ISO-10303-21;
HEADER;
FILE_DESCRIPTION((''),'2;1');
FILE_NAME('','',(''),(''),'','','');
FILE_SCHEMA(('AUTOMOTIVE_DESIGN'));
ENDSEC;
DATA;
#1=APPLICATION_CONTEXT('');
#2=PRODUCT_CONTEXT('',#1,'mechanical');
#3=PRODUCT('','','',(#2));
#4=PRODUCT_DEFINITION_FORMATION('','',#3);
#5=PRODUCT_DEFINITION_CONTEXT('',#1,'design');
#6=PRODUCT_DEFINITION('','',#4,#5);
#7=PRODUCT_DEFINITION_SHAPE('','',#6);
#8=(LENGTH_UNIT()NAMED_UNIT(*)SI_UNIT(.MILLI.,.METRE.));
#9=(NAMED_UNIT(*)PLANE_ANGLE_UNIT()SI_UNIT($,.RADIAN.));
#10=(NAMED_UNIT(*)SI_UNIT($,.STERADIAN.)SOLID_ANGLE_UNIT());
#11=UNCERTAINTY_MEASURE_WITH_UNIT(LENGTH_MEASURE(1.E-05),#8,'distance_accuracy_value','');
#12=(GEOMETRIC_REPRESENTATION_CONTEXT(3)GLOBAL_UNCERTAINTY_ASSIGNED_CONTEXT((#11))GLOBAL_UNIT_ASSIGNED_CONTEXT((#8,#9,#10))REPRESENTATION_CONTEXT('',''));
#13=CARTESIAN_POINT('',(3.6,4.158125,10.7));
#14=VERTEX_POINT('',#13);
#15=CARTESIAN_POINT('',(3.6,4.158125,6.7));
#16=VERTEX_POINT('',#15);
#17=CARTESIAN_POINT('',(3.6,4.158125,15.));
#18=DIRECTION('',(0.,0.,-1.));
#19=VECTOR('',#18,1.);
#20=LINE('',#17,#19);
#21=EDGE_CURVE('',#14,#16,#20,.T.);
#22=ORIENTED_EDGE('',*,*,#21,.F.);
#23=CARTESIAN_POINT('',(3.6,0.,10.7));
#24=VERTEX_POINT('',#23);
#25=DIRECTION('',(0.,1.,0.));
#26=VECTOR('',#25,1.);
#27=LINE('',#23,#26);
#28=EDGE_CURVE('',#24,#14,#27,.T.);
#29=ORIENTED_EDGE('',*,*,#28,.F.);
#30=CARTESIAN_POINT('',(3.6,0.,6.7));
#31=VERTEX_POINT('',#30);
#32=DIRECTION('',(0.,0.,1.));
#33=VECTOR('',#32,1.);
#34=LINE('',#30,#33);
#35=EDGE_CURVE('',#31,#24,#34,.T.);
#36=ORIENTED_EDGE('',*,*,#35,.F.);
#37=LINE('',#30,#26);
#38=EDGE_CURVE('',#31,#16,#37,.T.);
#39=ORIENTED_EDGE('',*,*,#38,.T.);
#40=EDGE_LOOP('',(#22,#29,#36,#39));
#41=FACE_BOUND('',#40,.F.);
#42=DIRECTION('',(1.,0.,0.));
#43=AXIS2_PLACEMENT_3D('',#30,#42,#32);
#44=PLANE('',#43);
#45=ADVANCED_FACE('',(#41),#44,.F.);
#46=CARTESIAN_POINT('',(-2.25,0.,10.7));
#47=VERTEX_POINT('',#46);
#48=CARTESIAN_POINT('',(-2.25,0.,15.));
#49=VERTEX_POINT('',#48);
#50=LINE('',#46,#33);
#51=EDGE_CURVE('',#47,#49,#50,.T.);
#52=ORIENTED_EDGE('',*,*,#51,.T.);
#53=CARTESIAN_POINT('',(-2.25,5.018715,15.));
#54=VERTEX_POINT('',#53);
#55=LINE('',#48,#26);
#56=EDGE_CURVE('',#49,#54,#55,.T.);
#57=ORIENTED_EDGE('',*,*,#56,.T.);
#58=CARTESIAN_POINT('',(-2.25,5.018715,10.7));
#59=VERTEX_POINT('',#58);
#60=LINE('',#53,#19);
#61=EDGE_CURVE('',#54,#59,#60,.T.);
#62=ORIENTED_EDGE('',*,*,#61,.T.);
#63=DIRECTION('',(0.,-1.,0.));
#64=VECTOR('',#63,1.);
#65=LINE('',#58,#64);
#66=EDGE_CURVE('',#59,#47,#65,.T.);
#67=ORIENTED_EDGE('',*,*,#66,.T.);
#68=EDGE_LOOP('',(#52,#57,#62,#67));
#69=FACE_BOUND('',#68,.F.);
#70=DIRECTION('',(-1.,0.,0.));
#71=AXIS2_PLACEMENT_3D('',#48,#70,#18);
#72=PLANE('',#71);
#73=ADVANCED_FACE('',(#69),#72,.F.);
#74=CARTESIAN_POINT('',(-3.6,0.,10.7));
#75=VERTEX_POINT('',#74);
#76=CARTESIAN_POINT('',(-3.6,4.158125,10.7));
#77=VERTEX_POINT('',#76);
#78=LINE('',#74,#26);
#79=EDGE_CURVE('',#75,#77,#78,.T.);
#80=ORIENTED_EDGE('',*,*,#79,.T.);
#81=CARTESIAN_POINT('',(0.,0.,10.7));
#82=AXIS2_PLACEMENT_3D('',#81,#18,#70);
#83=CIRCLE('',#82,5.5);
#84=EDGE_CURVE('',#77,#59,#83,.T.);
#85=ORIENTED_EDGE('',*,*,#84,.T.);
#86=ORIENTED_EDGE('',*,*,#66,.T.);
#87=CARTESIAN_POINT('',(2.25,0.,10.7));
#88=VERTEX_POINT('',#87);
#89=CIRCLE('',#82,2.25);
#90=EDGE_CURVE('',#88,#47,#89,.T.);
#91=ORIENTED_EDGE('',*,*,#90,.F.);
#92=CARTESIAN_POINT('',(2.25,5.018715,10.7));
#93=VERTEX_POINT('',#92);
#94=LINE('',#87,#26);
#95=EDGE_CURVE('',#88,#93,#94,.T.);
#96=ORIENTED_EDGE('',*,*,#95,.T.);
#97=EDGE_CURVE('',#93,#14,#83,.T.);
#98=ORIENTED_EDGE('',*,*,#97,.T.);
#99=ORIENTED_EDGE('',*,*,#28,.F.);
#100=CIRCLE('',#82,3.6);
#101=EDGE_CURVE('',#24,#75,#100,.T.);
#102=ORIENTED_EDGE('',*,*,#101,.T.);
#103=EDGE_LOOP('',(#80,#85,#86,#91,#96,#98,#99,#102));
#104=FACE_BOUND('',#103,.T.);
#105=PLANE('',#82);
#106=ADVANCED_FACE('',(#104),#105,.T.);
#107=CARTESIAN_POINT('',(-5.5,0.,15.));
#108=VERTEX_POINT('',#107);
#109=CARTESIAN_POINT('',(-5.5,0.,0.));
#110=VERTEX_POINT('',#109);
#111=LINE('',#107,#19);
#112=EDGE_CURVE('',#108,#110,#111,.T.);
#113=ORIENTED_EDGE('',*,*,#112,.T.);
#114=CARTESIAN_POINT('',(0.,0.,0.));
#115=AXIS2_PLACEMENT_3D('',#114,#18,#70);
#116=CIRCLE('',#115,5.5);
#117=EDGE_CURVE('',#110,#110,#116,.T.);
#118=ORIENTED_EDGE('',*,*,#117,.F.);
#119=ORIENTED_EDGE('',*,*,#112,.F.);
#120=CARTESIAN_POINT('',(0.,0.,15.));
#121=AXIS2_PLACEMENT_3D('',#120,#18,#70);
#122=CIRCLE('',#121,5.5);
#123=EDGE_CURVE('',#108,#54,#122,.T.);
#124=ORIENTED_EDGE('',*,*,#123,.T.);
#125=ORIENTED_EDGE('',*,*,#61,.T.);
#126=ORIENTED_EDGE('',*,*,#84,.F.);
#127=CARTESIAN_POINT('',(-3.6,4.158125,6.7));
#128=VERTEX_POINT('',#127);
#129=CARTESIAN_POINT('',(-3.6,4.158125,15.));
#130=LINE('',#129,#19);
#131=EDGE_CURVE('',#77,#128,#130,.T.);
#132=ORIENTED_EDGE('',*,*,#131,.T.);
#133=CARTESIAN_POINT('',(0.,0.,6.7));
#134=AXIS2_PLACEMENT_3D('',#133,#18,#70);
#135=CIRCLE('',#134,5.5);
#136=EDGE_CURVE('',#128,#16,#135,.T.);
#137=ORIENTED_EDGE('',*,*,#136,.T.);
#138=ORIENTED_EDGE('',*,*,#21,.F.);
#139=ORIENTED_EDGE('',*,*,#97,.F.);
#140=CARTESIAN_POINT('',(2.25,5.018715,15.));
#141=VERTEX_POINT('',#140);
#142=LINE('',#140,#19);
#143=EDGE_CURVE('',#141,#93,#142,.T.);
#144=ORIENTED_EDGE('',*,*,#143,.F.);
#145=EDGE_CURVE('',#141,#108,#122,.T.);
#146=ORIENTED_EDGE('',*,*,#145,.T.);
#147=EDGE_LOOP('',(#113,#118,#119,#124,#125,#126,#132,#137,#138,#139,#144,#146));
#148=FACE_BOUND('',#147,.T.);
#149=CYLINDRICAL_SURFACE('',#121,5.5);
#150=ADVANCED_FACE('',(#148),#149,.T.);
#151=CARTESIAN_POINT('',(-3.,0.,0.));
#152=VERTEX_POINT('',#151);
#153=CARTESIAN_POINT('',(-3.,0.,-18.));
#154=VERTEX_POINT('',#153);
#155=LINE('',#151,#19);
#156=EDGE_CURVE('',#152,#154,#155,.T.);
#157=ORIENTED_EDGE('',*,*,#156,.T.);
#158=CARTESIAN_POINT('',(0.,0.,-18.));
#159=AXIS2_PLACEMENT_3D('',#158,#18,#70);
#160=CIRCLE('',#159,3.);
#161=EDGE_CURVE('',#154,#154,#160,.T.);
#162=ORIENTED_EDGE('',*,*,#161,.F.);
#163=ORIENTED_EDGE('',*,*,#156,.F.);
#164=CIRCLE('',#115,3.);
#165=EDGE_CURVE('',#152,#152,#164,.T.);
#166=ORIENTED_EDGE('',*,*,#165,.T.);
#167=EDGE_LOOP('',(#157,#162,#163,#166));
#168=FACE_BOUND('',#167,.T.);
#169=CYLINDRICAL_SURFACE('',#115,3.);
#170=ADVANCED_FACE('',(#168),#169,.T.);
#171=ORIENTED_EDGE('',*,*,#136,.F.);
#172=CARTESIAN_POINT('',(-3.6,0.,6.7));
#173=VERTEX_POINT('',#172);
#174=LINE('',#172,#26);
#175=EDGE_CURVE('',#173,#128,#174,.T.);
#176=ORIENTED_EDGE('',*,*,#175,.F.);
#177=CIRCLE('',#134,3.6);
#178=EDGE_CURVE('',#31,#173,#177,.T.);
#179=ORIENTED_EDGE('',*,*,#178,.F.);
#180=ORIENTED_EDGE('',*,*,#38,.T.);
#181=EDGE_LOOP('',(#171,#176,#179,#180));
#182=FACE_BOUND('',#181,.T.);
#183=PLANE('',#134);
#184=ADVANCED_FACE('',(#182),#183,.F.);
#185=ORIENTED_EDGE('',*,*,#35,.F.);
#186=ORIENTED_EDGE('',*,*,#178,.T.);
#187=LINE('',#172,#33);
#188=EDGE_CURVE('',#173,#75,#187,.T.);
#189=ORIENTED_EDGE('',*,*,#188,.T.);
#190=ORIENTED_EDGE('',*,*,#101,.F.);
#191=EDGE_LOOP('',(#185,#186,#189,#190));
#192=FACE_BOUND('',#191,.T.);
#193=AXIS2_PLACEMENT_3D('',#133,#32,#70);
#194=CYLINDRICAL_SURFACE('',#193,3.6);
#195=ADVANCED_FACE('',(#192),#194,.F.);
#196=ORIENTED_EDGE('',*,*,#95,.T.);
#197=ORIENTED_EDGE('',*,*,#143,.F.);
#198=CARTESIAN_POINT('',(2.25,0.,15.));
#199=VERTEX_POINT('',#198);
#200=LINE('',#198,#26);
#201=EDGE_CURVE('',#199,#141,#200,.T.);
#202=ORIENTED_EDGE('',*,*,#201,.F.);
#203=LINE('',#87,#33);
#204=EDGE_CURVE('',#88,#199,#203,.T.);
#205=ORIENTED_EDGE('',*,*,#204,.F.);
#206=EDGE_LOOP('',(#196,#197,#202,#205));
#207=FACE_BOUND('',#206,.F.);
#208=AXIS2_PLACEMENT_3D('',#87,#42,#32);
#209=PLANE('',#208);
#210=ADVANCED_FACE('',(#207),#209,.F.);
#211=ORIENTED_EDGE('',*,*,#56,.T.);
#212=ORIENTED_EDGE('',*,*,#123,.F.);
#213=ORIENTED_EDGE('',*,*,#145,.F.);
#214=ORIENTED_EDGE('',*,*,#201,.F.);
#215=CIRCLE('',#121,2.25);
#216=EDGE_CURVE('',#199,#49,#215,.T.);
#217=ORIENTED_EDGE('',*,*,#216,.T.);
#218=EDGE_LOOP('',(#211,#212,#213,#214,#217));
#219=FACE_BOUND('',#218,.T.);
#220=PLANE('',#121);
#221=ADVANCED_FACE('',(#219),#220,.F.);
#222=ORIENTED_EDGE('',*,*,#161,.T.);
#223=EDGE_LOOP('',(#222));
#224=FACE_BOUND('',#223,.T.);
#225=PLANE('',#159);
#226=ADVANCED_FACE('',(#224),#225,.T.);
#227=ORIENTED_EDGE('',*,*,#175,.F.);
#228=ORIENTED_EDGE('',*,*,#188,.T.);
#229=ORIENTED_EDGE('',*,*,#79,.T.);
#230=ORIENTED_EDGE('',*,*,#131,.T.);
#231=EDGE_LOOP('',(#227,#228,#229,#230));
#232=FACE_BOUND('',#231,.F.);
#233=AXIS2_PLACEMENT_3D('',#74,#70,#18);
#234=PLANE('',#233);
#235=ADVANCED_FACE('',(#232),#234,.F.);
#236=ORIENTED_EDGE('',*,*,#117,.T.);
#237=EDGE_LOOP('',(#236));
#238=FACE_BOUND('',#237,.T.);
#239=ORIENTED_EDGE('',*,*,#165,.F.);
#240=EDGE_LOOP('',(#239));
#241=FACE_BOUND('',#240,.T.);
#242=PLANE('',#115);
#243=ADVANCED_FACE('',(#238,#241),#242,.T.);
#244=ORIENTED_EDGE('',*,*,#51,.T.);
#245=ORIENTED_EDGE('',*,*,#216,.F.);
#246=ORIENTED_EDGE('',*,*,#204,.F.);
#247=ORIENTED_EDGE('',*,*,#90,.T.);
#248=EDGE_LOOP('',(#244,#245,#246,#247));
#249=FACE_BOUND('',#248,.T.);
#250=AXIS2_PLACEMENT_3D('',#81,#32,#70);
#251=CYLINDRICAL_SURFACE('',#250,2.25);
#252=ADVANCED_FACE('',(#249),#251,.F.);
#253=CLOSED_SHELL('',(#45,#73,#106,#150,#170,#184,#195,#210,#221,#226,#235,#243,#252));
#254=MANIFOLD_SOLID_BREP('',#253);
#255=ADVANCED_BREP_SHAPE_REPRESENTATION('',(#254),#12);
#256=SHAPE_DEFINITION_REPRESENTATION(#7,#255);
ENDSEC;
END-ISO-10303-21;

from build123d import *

# Parameters (mm, degrees)
F3_DEPTH = 6


with BuildPart() as f1:
    # F0 (on Front) → F1 (revolve)
    with BuildSketch(Plane.XZ):
        Polygon((0, -18), (0, 6.7), (-3.6, 6.7), (-3.6, 10.7), (-2.25, 10.7), (-2.25, 15), (-5.5, 15), (-5.5, 0), (-3, 0), (-3, -18), align=None)
    revolve(axis=Axis((0, 0, -5.65), (0, 0, -1)))

    # F2 (on Front) → F3 (cut)
    with BuildSketch(Plane.XZ):
        Polygon((2.25, 10.7), (2.25, 15), (-2.25, 15), (-2.25, 10.7), (-3.6, 10.7), (-3.6, 6.7), (3.6, 6.7), (3.6, 10.7), align=None)
    extrude(amount=-F3_DEPTH, mode=Mode.SUBTRACT)


solid = f1.part
